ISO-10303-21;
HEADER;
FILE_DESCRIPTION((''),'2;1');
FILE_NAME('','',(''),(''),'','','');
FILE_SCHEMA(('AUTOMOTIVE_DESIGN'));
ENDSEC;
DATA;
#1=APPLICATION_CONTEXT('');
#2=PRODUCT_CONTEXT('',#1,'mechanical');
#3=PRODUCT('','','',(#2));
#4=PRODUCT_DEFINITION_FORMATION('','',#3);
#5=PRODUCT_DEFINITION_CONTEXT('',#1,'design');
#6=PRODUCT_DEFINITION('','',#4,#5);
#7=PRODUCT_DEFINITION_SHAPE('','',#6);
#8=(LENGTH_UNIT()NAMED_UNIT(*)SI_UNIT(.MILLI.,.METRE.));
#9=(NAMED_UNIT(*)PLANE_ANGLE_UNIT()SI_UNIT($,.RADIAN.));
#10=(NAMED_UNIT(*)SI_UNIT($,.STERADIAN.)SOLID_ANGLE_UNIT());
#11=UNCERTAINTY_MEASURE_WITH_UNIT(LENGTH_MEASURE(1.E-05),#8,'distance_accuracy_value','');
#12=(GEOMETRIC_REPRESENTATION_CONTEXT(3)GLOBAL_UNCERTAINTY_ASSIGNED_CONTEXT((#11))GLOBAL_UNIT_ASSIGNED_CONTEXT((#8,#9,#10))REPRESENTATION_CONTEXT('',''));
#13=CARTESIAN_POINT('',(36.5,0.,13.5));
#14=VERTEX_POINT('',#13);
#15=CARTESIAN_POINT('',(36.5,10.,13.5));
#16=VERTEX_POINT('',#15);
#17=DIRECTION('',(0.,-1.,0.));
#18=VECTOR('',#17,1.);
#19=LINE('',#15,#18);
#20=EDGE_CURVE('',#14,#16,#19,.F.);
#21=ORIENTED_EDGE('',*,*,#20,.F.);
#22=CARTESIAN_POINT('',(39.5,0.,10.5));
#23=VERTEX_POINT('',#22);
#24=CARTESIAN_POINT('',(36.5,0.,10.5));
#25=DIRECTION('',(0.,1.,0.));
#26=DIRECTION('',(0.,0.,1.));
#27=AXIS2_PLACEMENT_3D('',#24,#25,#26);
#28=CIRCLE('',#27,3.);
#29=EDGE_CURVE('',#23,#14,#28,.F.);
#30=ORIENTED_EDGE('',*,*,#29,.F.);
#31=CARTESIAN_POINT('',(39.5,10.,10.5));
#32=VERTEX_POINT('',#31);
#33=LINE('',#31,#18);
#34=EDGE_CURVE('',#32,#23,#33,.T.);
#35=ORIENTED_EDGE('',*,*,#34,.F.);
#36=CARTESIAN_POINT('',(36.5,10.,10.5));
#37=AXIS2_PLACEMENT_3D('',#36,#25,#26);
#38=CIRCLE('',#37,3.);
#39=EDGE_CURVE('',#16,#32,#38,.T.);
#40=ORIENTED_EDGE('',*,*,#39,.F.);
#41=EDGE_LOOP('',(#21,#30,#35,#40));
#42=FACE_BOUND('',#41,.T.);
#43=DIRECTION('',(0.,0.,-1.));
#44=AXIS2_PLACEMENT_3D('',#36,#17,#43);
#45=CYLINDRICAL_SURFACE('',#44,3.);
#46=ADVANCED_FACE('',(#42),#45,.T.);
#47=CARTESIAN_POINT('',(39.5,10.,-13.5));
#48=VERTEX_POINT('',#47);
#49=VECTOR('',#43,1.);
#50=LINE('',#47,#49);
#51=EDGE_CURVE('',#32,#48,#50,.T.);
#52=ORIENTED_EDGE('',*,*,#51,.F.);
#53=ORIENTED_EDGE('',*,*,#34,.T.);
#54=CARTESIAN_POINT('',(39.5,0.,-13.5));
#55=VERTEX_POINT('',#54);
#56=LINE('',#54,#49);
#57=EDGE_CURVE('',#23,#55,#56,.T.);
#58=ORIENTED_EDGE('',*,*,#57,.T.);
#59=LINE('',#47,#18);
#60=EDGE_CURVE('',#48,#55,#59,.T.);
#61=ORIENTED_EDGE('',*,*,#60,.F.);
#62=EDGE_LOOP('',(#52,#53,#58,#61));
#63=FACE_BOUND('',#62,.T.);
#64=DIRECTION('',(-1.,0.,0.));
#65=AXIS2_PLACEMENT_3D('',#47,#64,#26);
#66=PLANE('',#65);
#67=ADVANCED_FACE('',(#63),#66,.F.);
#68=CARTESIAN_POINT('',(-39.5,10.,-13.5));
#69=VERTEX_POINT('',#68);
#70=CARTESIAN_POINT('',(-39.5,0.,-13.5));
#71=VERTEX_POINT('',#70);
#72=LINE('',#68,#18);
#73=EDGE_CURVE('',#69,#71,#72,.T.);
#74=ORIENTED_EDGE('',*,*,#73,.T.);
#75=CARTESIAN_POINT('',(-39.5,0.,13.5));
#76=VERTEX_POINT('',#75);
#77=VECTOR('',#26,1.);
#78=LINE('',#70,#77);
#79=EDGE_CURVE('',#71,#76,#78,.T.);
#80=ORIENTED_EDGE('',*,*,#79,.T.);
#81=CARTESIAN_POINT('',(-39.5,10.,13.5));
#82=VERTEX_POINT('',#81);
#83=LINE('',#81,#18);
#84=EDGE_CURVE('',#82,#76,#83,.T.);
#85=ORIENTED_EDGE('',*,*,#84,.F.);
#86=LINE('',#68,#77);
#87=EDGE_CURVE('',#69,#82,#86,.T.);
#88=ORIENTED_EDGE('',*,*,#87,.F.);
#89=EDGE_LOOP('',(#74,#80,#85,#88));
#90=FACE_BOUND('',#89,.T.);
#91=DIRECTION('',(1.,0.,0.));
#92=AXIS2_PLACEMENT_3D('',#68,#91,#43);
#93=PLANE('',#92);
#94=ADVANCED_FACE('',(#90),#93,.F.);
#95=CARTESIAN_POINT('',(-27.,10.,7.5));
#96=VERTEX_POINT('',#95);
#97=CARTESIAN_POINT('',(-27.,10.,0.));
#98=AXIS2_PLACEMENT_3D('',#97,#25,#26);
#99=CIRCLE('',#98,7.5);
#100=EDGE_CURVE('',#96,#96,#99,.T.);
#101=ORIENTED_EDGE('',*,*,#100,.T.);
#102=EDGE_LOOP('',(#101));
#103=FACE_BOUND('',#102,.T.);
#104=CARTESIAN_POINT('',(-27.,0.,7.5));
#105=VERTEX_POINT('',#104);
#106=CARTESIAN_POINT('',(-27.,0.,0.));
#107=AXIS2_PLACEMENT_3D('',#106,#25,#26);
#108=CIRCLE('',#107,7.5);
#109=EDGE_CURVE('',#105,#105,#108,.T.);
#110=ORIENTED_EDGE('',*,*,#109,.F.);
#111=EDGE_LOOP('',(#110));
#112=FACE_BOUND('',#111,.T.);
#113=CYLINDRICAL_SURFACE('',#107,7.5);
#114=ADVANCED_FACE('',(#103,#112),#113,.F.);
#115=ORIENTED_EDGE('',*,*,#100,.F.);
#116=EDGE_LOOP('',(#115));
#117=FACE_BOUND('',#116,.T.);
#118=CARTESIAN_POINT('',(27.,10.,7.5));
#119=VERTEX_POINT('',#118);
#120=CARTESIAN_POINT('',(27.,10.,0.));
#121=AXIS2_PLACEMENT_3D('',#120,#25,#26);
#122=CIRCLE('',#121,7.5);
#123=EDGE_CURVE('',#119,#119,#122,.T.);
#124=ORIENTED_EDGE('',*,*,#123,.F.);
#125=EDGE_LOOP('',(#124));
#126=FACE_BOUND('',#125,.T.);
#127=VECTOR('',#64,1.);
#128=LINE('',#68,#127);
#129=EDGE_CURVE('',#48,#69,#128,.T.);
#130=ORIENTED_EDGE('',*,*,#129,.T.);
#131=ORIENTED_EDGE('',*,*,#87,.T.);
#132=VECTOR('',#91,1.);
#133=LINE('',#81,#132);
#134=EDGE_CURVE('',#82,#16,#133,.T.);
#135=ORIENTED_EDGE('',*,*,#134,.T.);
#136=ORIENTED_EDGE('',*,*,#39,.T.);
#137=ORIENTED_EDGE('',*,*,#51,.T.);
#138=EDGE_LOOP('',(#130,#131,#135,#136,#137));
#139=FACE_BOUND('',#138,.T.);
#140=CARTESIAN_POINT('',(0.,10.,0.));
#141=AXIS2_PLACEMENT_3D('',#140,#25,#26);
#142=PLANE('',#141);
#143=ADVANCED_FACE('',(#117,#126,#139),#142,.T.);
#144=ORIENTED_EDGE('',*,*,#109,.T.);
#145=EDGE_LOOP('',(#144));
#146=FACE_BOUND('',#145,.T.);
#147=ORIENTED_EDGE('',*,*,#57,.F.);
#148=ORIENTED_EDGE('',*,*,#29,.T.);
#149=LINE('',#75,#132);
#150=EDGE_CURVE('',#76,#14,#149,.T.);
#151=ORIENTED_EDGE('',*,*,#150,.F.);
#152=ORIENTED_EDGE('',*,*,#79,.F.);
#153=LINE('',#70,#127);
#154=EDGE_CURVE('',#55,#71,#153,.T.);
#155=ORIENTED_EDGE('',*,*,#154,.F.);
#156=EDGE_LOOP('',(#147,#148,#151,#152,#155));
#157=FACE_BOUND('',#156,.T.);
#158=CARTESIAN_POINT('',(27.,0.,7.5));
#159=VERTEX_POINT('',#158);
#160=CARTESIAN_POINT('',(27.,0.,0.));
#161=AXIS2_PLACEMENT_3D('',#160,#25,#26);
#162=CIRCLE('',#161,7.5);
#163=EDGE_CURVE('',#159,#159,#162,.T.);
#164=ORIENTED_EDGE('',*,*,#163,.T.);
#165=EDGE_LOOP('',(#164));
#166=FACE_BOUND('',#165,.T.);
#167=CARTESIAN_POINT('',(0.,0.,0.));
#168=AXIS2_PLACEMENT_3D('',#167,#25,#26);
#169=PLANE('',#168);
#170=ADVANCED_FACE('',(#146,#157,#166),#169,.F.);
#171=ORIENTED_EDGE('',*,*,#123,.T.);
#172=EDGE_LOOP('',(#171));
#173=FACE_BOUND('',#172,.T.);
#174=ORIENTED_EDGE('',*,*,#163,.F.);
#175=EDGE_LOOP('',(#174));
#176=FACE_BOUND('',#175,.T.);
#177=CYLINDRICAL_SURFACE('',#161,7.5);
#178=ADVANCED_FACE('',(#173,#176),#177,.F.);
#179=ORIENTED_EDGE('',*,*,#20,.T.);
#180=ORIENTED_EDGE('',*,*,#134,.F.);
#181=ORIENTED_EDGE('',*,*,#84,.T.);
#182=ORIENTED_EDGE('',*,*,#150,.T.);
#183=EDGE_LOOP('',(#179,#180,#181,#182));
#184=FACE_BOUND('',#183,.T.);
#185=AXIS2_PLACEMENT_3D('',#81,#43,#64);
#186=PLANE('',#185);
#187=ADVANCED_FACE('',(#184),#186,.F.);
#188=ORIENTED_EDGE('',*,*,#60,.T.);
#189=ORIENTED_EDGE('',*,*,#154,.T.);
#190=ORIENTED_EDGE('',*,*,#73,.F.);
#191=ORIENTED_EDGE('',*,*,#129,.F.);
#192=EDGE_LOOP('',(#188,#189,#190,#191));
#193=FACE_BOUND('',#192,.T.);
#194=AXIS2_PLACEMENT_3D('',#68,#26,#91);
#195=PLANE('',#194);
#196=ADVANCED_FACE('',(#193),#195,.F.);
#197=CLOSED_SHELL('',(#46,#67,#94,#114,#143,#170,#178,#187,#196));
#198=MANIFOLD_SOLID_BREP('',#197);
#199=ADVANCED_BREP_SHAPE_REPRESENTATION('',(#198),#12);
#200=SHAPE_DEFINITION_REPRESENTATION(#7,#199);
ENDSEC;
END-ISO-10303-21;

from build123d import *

# Parameters (mm, degrees)
SKETCH_1_W          = 79
SKETCH_1_H          = 27
EXTRUDE_1_DEPTH     = 10
SKETCH_3_R          = 7.5
CUT_EXTRUDE_1_DEPTH = 43.924352063
FILLET_1_R          = 3


with BuildPart() as part:
    # 草图1 → 凸台-拉伸1 (new body)
    with BuildSketch(Plane(origin=(0, 0, 0), x_dir=(1, 0, 0), z_dir=(0, 1, 0))):
        Rectangle(SKETCH_1_W, SKETCH_1_H)
    extrude(amount=EXTRUDE_1_DEPTH)

    # 草图3 → 切除-拉伸1 (cut, through all)
    with BuildSketch(Plane(origin=(0, 10, 0), x_dir=(1, 0, 0), z_dir=(0, 1, 0))):
        with Locations(Location((-27, 0, 0), (0, 0, 270))):
            Circle(SKETCH_3_R)
        with Locations(Location((27, 0, 0), (0, 0, 270))):
            Circle(SKETCH_3_R)
    extrude(amount=-CUT_EXTRUDE_1_DEPTH, mode=Mode.SUBTRACT)

    # 圆角1
    fillet_1_edges = [part.edges().sort_by_distance(p)[0] for p in [
        (39.5, 5, 13.5),
    ]]
    fillet(fillet_1_edges, radius=FILLET_1_R)


solid = part.part
